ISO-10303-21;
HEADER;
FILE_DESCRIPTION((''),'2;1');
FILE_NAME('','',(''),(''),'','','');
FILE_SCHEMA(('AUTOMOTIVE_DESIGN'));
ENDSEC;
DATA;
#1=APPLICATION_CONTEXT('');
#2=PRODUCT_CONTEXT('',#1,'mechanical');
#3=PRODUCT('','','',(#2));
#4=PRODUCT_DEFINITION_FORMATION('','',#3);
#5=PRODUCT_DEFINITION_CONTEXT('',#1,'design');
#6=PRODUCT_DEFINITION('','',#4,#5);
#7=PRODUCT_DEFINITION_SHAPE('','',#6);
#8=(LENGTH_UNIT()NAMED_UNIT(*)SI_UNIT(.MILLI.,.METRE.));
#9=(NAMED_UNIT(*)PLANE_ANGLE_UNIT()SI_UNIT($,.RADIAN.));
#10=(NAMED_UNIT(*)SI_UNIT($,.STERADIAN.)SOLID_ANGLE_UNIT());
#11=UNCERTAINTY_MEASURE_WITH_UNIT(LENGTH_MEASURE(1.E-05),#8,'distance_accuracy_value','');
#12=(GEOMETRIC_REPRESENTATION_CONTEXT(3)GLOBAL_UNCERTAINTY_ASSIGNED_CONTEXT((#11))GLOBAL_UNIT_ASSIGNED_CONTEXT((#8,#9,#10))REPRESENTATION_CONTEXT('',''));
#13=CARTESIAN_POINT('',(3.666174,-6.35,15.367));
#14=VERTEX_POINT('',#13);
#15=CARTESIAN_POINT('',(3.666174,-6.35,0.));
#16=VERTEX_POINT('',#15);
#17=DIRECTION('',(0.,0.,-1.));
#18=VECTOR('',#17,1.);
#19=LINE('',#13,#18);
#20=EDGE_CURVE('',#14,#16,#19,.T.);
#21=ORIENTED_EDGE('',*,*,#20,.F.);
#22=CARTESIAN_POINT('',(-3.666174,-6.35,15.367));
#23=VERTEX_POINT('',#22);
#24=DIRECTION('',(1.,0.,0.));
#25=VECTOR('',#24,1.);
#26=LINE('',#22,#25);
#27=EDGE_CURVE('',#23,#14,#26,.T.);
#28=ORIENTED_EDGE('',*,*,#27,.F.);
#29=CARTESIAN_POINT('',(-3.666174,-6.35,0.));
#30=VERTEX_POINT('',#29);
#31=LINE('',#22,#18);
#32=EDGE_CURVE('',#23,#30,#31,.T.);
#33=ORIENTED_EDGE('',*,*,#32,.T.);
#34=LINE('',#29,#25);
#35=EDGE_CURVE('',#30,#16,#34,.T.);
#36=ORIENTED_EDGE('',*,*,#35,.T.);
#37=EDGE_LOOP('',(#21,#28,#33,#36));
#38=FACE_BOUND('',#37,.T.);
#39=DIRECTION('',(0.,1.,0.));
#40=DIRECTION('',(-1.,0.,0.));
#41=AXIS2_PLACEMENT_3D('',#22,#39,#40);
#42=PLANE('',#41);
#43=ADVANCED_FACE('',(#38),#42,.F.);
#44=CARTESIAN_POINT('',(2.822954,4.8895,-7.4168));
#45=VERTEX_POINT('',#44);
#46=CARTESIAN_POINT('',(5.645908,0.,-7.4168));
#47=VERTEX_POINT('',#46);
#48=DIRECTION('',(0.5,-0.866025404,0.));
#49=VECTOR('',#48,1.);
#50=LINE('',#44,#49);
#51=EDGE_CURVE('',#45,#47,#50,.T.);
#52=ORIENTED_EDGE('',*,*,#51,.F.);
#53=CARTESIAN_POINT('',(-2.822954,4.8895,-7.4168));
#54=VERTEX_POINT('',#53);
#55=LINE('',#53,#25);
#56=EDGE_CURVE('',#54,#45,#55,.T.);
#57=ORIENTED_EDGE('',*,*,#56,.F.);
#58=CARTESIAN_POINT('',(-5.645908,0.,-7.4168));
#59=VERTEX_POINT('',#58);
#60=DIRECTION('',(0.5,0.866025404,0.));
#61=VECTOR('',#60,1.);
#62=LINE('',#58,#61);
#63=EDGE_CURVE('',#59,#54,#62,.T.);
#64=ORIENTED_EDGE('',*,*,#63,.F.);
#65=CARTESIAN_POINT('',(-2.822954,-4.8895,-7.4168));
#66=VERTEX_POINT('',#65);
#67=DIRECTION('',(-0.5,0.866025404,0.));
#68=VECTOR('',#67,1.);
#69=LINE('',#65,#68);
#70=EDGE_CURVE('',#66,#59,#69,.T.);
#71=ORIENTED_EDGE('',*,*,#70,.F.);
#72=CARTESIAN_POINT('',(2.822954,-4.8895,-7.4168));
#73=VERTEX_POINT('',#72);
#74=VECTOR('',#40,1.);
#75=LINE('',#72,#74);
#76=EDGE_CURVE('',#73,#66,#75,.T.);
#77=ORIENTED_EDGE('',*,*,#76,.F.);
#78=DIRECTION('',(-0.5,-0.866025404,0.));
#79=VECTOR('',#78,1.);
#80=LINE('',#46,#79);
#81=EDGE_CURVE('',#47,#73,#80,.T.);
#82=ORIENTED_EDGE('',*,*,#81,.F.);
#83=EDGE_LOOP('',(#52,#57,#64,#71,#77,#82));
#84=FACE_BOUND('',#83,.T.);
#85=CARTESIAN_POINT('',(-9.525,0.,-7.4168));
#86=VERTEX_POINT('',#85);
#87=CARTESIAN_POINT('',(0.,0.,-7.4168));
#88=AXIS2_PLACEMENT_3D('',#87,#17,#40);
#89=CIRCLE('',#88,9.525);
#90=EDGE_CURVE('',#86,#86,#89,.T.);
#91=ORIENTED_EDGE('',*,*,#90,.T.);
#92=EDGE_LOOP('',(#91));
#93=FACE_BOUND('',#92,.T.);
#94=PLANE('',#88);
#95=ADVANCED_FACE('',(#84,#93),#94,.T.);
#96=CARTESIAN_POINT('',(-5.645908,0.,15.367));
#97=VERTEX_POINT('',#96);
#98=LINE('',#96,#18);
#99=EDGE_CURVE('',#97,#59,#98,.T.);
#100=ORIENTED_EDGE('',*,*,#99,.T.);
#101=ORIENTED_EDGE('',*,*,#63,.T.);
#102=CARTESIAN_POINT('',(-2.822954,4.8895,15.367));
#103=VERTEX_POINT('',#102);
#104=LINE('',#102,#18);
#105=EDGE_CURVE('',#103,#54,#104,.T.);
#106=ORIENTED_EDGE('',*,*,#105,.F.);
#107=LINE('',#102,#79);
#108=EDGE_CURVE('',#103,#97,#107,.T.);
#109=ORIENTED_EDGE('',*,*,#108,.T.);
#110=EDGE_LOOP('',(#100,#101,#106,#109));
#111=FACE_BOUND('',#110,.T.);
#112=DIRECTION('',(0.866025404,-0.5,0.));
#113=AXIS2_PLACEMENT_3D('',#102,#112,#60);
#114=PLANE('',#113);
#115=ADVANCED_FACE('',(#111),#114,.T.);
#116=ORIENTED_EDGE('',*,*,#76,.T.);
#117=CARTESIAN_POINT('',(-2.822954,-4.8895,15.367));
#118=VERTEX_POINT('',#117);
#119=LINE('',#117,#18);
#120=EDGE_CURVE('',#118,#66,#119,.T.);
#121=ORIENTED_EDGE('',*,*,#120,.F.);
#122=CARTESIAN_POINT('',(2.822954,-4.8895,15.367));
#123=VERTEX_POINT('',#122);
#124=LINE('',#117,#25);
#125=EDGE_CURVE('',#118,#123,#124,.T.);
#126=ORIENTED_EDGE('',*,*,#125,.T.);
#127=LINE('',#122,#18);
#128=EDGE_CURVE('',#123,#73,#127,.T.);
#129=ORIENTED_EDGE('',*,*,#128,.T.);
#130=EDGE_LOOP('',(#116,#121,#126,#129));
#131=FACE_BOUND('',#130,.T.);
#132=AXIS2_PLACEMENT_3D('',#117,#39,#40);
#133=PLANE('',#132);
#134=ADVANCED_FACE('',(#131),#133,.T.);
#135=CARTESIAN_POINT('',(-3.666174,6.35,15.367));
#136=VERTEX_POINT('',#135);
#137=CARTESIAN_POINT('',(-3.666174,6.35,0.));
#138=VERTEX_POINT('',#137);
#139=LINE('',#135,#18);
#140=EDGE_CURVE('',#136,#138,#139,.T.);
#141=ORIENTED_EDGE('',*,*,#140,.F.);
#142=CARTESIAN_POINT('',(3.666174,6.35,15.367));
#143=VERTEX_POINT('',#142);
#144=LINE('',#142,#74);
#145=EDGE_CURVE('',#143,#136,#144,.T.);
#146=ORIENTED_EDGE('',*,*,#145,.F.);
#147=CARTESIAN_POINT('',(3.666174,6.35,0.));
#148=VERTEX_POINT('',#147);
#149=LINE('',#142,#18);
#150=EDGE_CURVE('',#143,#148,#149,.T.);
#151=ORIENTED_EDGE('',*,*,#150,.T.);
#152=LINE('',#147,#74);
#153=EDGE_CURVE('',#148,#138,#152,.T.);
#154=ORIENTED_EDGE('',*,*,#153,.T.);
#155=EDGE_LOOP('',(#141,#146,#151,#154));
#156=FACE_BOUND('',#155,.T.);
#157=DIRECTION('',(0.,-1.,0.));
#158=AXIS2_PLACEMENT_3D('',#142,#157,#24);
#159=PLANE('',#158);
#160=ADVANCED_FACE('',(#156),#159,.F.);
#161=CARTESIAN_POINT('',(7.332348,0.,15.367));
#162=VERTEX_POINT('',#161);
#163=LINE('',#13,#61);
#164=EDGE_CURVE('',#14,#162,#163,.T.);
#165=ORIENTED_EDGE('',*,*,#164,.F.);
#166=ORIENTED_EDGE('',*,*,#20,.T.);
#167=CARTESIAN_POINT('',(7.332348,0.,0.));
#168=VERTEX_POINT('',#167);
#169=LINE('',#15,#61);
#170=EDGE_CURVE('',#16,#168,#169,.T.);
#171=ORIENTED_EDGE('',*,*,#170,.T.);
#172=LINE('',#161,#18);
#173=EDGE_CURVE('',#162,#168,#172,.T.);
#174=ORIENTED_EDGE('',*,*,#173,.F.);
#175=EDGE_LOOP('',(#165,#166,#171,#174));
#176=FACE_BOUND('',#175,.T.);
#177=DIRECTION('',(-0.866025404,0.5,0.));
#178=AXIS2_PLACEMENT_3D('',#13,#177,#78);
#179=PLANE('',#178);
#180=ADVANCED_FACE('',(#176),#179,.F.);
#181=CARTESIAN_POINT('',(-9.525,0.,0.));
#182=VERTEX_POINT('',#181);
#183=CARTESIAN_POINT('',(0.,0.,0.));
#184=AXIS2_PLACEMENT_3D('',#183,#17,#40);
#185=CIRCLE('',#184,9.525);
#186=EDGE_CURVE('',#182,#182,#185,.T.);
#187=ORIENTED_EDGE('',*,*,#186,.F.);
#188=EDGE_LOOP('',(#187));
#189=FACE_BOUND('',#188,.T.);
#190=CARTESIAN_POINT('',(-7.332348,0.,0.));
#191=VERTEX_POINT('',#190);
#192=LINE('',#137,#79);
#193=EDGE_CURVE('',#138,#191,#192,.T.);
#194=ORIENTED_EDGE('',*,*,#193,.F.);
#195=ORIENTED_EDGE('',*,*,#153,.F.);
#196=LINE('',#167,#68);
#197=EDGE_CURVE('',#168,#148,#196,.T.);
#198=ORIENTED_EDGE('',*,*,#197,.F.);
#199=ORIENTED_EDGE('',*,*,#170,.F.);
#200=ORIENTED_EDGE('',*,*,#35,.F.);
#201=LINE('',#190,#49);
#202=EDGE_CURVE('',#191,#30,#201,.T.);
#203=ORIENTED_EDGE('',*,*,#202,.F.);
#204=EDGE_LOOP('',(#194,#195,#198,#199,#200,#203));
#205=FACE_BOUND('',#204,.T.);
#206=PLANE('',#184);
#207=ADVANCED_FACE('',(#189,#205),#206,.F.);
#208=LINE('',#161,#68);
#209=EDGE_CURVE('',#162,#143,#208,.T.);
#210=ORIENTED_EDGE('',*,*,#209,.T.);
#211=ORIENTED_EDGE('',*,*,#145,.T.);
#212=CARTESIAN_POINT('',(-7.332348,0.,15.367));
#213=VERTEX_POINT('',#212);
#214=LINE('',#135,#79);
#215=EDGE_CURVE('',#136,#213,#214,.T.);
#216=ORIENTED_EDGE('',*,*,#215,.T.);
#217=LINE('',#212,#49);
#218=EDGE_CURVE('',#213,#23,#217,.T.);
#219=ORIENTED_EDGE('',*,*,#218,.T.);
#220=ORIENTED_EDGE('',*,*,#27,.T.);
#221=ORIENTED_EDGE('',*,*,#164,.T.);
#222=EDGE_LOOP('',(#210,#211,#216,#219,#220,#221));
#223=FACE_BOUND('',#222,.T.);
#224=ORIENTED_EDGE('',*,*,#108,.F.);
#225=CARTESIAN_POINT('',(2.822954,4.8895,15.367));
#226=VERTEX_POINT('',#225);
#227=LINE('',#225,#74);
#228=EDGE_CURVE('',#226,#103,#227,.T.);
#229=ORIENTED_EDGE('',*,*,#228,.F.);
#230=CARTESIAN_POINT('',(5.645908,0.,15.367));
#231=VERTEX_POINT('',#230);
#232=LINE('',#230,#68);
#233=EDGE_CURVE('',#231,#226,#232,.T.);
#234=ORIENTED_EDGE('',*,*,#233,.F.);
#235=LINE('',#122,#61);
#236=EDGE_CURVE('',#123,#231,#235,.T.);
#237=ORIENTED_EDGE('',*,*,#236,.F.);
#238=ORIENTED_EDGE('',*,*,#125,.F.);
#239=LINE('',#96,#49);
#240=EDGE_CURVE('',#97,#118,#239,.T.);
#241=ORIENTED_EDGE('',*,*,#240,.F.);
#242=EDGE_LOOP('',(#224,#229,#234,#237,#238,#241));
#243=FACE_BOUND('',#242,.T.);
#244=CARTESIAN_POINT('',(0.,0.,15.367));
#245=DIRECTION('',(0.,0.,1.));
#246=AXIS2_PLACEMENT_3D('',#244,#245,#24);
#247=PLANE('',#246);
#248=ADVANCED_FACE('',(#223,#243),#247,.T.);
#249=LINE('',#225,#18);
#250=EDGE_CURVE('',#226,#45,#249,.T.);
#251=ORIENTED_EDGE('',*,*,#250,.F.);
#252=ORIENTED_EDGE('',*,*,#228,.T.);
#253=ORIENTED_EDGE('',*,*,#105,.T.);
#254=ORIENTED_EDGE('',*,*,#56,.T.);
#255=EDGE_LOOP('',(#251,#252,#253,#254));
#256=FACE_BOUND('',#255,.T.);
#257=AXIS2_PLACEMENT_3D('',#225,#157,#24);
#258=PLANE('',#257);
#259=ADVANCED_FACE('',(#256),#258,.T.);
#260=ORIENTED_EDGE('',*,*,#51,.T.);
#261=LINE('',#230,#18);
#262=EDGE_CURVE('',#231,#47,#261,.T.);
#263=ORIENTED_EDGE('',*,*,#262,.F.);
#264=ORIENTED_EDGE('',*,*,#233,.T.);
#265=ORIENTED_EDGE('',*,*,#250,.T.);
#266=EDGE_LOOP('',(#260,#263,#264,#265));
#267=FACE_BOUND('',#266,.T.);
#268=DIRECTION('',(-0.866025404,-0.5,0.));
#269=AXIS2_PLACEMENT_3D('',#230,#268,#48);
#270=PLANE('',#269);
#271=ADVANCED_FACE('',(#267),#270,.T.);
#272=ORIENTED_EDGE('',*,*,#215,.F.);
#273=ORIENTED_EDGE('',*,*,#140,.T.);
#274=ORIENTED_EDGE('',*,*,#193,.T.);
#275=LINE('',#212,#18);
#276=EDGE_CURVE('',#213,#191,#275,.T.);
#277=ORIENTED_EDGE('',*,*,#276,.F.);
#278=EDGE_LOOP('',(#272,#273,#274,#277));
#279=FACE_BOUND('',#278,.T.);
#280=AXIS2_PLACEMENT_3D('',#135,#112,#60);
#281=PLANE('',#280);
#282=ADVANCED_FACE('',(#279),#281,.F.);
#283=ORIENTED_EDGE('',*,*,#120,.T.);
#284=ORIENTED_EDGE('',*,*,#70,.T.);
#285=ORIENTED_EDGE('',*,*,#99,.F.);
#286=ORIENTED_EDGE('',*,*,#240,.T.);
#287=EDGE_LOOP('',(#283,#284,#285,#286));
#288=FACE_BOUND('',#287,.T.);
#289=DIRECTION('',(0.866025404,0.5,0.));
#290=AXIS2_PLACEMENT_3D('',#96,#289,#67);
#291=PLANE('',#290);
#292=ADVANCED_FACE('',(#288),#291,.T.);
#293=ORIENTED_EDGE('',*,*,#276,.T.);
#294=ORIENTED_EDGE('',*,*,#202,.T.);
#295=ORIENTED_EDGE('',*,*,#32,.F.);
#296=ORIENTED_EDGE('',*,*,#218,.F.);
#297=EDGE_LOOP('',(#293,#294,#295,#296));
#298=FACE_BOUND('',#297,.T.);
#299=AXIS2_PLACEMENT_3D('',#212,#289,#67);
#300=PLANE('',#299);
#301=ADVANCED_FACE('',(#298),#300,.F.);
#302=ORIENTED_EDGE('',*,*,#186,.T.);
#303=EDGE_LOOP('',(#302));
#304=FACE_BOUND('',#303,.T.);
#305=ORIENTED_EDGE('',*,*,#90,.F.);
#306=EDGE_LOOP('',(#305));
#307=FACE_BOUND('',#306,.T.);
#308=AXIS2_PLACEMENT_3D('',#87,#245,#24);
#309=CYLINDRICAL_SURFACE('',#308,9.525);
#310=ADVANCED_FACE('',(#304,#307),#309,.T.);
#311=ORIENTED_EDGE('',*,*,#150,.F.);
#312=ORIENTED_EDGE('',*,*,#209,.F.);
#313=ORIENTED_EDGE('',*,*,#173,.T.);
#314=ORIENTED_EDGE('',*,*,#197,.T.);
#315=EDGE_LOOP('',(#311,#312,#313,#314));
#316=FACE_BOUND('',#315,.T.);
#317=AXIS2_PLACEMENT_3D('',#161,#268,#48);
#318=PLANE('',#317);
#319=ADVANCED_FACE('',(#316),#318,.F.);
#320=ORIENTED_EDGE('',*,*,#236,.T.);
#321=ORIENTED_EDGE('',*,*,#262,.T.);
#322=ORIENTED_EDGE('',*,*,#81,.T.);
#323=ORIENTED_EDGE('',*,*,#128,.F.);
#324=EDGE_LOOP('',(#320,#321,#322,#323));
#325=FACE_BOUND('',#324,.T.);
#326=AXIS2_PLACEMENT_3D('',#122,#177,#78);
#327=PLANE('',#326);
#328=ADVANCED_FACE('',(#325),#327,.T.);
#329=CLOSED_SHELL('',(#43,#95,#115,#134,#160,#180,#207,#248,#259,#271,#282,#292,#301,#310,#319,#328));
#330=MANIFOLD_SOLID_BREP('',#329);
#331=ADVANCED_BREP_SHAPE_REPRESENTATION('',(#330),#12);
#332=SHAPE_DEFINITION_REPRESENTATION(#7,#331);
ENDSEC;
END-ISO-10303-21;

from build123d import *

# Parameters (mm, degrees)
BOSS_EXTRUDE1_DEPTH = 15.367
SKETCH2_R           = 9.525
BOSS_EXTRUDE2_DEPTH = 7.4168


with BuildPart() as part:
    # Sketch1 → Boss-Extrude1 (new body)
    with BuildSketch(Plane.XY):
        Polygon((7.332348419, 0), (3.666174209, 6.35), (-3.666174209, 6.35), (-7.332348419, 0), (-3.666174209, -6.35), (3.666174209, -6.35), align=None)
        Polygon((5.645908282, 0), (2.822954141, 4.8895), (-2.822954141, 4.8895), (-5.645908282, 0), (-2.822954141, -4.8895), (2.822954141, -4.8895), align=None, mode=Mode.SUBTRACT)
    extrude(amount=BOSS_EXTRUDE1_DEPTH)

    # Sketch2 → Boss-Extrude2 (add)
    with BuildSketch(Plane(origin=(0, 0, 0), x_dir=(-1, 0, 0), z_dir=(0, 0, -1))):
        Circle(SKETCH2_R)
        Polygon((5.645908282, 0), (2.822954141, 4.8895), (-2.822954141, 4.8895), (-5.645908282, 0), (-2.822954141, -4.8895), (2.822954141, -4.8895), align=None, mode=Mode.SUBTRACT)
    extrude(amount=BOSS_EXTRUDE2_DEPTH)


solid = part.part
